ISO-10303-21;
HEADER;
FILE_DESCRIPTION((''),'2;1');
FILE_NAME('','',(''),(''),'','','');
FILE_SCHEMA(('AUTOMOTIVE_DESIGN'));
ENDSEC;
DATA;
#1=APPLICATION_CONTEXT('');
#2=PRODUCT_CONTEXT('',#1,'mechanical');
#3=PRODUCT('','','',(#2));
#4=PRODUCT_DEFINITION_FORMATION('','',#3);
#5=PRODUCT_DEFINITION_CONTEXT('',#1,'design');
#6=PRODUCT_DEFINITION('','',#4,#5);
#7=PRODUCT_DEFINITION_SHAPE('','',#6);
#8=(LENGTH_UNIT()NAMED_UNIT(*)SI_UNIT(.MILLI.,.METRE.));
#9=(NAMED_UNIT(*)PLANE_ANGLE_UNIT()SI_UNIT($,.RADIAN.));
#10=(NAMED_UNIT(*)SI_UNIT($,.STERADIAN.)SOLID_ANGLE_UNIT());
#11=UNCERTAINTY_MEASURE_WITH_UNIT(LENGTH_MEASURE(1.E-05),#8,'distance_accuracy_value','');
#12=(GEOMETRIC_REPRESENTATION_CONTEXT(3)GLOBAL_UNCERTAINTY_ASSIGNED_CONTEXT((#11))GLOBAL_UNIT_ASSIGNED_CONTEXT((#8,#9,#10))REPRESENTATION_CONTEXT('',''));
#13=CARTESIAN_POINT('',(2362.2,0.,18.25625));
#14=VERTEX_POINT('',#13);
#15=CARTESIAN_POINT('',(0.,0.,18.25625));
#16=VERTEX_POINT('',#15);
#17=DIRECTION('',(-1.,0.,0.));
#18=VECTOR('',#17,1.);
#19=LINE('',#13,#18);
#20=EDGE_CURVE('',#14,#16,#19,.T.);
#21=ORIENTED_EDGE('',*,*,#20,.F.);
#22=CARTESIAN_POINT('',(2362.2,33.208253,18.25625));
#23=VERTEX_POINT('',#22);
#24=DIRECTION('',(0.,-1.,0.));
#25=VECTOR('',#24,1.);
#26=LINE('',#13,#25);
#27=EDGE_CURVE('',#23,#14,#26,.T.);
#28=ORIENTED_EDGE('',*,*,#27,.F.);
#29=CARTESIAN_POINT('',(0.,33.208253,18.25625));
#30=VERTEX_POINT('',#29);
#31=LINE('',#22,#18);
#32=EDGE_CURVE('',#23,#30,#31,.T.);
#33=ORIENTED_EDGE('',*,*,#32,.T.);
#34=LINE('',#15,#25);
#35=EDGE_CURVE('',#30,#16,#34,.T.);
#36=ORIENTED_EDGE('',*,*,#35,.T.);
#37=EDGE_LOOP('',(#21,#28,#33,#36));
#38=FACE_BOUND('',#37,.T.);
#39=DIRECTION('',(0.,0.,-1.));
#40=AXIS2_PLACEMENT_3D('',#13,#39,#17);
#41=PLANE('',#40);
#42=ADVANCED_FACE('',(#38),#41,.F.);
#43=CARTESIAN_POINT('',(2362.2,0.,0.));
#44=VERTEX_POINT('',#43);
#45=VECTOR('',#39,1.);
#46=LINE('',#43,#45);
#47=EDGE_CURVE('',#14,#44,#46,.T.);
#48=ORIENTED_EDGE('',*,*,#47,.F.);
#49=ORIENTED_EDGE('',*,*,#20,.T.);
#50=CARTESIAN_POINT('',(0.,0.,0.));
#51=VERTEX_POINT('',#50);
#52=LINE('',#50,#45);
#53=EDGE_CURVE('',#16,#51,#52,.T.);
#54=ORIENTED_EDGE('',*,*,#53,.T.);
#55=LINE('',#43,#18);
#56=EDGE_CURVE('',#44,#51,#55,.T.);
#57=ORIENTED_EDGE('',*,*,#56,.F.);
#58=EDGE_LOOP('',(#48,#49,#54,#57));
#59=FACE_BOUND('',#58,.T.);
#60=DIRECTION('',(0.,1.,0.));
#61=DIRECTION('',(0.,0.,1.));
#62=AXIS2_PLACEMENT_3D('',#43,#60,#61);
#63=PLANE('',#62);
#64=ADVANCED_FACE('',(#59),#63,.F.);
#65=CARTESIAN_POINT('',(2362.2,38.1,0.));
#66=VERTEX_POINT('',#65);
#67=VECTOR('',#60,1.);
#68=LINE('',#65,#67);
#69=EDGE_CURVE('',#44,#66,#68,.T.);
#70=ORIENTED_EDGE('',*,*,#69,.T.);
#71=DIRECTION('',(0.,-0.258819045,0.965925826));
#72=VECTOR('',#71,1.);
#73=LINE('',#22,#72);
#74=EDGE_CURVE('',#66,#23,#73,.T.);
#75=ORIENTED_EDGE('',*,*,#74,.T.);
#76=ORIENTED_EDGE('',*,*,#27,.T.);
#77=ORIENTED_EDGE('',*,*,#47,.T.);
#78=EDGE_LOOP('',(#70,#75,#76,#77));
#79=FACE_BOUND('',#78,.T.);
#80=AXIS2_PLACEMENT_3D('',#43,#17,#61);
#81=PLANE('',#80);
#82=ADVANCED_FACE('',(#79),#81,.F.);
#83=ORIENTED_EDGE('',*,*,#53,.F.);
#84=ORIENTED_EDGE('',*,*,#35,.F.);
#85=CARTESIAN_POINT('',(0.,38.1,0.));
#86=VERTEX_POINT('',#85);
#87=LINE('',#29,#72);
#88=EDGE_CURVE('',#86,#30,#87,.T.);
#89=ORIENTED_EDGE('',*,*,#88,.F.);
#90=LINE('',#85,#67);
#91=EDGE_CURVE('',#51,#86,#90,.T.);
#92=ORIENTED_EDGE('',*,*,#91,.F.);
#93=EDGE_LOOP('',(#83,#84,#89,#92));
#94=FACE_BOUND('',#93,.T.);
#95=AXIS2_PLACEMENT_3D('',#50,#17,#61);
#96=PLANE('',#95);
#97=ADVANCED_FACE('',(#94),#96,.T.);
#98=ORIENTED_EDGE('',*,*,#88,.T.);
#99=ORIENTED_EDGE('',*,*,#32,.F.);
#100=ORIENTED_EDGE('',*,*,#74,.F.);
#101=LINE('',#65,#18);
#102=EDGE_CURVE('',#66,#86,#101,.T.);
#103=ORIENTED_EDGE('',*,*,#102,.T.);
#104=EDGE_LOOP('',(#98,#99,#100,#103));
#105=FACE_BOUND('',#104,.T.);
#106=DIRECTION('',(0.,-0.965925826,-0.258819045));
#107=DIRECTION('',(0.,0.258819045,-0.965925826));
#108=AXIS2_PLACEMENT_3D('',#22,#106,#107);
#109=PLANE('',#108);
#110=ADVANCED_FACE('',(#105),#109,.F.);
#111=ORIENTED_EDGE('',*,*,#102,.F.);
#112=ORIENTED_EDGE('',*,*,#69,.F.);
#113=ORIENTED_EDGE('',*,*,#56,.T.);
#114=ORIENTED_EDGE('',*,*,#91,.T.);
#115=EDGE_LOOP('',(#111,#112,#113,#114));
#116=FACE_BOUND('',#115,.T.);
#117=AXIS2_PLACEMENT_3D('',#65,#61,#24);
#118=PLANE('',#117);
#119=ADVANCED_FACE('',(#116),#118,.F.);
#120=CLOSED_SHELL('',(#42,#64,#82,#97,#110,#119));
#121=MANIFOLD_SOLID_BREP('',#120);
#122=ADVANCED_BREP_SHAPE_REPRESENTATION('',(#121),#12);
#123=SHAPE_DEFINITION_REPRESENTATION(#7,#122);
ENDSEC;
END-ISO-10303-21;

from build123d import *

# Parameters (mm, degrees)
BOSS_EXTRUDE1_DEPTH = 2362.2


with BuildPart() as part:
    # Sketch1 → Boss-Extrude1 (new body)
    with BuildSketch(Plane(origin=(0, 0, 0), x_dir=(0, 0, -1), z_dir=(1, 0, 0))):
        Polygon((0, 0), (-18.25625, 0), (-18.25625, 33.208252556), (0, 38.1), align=None)
    extrude(amount=BOSS_EXTRUDE1_DEPTH)


solid = part.part
